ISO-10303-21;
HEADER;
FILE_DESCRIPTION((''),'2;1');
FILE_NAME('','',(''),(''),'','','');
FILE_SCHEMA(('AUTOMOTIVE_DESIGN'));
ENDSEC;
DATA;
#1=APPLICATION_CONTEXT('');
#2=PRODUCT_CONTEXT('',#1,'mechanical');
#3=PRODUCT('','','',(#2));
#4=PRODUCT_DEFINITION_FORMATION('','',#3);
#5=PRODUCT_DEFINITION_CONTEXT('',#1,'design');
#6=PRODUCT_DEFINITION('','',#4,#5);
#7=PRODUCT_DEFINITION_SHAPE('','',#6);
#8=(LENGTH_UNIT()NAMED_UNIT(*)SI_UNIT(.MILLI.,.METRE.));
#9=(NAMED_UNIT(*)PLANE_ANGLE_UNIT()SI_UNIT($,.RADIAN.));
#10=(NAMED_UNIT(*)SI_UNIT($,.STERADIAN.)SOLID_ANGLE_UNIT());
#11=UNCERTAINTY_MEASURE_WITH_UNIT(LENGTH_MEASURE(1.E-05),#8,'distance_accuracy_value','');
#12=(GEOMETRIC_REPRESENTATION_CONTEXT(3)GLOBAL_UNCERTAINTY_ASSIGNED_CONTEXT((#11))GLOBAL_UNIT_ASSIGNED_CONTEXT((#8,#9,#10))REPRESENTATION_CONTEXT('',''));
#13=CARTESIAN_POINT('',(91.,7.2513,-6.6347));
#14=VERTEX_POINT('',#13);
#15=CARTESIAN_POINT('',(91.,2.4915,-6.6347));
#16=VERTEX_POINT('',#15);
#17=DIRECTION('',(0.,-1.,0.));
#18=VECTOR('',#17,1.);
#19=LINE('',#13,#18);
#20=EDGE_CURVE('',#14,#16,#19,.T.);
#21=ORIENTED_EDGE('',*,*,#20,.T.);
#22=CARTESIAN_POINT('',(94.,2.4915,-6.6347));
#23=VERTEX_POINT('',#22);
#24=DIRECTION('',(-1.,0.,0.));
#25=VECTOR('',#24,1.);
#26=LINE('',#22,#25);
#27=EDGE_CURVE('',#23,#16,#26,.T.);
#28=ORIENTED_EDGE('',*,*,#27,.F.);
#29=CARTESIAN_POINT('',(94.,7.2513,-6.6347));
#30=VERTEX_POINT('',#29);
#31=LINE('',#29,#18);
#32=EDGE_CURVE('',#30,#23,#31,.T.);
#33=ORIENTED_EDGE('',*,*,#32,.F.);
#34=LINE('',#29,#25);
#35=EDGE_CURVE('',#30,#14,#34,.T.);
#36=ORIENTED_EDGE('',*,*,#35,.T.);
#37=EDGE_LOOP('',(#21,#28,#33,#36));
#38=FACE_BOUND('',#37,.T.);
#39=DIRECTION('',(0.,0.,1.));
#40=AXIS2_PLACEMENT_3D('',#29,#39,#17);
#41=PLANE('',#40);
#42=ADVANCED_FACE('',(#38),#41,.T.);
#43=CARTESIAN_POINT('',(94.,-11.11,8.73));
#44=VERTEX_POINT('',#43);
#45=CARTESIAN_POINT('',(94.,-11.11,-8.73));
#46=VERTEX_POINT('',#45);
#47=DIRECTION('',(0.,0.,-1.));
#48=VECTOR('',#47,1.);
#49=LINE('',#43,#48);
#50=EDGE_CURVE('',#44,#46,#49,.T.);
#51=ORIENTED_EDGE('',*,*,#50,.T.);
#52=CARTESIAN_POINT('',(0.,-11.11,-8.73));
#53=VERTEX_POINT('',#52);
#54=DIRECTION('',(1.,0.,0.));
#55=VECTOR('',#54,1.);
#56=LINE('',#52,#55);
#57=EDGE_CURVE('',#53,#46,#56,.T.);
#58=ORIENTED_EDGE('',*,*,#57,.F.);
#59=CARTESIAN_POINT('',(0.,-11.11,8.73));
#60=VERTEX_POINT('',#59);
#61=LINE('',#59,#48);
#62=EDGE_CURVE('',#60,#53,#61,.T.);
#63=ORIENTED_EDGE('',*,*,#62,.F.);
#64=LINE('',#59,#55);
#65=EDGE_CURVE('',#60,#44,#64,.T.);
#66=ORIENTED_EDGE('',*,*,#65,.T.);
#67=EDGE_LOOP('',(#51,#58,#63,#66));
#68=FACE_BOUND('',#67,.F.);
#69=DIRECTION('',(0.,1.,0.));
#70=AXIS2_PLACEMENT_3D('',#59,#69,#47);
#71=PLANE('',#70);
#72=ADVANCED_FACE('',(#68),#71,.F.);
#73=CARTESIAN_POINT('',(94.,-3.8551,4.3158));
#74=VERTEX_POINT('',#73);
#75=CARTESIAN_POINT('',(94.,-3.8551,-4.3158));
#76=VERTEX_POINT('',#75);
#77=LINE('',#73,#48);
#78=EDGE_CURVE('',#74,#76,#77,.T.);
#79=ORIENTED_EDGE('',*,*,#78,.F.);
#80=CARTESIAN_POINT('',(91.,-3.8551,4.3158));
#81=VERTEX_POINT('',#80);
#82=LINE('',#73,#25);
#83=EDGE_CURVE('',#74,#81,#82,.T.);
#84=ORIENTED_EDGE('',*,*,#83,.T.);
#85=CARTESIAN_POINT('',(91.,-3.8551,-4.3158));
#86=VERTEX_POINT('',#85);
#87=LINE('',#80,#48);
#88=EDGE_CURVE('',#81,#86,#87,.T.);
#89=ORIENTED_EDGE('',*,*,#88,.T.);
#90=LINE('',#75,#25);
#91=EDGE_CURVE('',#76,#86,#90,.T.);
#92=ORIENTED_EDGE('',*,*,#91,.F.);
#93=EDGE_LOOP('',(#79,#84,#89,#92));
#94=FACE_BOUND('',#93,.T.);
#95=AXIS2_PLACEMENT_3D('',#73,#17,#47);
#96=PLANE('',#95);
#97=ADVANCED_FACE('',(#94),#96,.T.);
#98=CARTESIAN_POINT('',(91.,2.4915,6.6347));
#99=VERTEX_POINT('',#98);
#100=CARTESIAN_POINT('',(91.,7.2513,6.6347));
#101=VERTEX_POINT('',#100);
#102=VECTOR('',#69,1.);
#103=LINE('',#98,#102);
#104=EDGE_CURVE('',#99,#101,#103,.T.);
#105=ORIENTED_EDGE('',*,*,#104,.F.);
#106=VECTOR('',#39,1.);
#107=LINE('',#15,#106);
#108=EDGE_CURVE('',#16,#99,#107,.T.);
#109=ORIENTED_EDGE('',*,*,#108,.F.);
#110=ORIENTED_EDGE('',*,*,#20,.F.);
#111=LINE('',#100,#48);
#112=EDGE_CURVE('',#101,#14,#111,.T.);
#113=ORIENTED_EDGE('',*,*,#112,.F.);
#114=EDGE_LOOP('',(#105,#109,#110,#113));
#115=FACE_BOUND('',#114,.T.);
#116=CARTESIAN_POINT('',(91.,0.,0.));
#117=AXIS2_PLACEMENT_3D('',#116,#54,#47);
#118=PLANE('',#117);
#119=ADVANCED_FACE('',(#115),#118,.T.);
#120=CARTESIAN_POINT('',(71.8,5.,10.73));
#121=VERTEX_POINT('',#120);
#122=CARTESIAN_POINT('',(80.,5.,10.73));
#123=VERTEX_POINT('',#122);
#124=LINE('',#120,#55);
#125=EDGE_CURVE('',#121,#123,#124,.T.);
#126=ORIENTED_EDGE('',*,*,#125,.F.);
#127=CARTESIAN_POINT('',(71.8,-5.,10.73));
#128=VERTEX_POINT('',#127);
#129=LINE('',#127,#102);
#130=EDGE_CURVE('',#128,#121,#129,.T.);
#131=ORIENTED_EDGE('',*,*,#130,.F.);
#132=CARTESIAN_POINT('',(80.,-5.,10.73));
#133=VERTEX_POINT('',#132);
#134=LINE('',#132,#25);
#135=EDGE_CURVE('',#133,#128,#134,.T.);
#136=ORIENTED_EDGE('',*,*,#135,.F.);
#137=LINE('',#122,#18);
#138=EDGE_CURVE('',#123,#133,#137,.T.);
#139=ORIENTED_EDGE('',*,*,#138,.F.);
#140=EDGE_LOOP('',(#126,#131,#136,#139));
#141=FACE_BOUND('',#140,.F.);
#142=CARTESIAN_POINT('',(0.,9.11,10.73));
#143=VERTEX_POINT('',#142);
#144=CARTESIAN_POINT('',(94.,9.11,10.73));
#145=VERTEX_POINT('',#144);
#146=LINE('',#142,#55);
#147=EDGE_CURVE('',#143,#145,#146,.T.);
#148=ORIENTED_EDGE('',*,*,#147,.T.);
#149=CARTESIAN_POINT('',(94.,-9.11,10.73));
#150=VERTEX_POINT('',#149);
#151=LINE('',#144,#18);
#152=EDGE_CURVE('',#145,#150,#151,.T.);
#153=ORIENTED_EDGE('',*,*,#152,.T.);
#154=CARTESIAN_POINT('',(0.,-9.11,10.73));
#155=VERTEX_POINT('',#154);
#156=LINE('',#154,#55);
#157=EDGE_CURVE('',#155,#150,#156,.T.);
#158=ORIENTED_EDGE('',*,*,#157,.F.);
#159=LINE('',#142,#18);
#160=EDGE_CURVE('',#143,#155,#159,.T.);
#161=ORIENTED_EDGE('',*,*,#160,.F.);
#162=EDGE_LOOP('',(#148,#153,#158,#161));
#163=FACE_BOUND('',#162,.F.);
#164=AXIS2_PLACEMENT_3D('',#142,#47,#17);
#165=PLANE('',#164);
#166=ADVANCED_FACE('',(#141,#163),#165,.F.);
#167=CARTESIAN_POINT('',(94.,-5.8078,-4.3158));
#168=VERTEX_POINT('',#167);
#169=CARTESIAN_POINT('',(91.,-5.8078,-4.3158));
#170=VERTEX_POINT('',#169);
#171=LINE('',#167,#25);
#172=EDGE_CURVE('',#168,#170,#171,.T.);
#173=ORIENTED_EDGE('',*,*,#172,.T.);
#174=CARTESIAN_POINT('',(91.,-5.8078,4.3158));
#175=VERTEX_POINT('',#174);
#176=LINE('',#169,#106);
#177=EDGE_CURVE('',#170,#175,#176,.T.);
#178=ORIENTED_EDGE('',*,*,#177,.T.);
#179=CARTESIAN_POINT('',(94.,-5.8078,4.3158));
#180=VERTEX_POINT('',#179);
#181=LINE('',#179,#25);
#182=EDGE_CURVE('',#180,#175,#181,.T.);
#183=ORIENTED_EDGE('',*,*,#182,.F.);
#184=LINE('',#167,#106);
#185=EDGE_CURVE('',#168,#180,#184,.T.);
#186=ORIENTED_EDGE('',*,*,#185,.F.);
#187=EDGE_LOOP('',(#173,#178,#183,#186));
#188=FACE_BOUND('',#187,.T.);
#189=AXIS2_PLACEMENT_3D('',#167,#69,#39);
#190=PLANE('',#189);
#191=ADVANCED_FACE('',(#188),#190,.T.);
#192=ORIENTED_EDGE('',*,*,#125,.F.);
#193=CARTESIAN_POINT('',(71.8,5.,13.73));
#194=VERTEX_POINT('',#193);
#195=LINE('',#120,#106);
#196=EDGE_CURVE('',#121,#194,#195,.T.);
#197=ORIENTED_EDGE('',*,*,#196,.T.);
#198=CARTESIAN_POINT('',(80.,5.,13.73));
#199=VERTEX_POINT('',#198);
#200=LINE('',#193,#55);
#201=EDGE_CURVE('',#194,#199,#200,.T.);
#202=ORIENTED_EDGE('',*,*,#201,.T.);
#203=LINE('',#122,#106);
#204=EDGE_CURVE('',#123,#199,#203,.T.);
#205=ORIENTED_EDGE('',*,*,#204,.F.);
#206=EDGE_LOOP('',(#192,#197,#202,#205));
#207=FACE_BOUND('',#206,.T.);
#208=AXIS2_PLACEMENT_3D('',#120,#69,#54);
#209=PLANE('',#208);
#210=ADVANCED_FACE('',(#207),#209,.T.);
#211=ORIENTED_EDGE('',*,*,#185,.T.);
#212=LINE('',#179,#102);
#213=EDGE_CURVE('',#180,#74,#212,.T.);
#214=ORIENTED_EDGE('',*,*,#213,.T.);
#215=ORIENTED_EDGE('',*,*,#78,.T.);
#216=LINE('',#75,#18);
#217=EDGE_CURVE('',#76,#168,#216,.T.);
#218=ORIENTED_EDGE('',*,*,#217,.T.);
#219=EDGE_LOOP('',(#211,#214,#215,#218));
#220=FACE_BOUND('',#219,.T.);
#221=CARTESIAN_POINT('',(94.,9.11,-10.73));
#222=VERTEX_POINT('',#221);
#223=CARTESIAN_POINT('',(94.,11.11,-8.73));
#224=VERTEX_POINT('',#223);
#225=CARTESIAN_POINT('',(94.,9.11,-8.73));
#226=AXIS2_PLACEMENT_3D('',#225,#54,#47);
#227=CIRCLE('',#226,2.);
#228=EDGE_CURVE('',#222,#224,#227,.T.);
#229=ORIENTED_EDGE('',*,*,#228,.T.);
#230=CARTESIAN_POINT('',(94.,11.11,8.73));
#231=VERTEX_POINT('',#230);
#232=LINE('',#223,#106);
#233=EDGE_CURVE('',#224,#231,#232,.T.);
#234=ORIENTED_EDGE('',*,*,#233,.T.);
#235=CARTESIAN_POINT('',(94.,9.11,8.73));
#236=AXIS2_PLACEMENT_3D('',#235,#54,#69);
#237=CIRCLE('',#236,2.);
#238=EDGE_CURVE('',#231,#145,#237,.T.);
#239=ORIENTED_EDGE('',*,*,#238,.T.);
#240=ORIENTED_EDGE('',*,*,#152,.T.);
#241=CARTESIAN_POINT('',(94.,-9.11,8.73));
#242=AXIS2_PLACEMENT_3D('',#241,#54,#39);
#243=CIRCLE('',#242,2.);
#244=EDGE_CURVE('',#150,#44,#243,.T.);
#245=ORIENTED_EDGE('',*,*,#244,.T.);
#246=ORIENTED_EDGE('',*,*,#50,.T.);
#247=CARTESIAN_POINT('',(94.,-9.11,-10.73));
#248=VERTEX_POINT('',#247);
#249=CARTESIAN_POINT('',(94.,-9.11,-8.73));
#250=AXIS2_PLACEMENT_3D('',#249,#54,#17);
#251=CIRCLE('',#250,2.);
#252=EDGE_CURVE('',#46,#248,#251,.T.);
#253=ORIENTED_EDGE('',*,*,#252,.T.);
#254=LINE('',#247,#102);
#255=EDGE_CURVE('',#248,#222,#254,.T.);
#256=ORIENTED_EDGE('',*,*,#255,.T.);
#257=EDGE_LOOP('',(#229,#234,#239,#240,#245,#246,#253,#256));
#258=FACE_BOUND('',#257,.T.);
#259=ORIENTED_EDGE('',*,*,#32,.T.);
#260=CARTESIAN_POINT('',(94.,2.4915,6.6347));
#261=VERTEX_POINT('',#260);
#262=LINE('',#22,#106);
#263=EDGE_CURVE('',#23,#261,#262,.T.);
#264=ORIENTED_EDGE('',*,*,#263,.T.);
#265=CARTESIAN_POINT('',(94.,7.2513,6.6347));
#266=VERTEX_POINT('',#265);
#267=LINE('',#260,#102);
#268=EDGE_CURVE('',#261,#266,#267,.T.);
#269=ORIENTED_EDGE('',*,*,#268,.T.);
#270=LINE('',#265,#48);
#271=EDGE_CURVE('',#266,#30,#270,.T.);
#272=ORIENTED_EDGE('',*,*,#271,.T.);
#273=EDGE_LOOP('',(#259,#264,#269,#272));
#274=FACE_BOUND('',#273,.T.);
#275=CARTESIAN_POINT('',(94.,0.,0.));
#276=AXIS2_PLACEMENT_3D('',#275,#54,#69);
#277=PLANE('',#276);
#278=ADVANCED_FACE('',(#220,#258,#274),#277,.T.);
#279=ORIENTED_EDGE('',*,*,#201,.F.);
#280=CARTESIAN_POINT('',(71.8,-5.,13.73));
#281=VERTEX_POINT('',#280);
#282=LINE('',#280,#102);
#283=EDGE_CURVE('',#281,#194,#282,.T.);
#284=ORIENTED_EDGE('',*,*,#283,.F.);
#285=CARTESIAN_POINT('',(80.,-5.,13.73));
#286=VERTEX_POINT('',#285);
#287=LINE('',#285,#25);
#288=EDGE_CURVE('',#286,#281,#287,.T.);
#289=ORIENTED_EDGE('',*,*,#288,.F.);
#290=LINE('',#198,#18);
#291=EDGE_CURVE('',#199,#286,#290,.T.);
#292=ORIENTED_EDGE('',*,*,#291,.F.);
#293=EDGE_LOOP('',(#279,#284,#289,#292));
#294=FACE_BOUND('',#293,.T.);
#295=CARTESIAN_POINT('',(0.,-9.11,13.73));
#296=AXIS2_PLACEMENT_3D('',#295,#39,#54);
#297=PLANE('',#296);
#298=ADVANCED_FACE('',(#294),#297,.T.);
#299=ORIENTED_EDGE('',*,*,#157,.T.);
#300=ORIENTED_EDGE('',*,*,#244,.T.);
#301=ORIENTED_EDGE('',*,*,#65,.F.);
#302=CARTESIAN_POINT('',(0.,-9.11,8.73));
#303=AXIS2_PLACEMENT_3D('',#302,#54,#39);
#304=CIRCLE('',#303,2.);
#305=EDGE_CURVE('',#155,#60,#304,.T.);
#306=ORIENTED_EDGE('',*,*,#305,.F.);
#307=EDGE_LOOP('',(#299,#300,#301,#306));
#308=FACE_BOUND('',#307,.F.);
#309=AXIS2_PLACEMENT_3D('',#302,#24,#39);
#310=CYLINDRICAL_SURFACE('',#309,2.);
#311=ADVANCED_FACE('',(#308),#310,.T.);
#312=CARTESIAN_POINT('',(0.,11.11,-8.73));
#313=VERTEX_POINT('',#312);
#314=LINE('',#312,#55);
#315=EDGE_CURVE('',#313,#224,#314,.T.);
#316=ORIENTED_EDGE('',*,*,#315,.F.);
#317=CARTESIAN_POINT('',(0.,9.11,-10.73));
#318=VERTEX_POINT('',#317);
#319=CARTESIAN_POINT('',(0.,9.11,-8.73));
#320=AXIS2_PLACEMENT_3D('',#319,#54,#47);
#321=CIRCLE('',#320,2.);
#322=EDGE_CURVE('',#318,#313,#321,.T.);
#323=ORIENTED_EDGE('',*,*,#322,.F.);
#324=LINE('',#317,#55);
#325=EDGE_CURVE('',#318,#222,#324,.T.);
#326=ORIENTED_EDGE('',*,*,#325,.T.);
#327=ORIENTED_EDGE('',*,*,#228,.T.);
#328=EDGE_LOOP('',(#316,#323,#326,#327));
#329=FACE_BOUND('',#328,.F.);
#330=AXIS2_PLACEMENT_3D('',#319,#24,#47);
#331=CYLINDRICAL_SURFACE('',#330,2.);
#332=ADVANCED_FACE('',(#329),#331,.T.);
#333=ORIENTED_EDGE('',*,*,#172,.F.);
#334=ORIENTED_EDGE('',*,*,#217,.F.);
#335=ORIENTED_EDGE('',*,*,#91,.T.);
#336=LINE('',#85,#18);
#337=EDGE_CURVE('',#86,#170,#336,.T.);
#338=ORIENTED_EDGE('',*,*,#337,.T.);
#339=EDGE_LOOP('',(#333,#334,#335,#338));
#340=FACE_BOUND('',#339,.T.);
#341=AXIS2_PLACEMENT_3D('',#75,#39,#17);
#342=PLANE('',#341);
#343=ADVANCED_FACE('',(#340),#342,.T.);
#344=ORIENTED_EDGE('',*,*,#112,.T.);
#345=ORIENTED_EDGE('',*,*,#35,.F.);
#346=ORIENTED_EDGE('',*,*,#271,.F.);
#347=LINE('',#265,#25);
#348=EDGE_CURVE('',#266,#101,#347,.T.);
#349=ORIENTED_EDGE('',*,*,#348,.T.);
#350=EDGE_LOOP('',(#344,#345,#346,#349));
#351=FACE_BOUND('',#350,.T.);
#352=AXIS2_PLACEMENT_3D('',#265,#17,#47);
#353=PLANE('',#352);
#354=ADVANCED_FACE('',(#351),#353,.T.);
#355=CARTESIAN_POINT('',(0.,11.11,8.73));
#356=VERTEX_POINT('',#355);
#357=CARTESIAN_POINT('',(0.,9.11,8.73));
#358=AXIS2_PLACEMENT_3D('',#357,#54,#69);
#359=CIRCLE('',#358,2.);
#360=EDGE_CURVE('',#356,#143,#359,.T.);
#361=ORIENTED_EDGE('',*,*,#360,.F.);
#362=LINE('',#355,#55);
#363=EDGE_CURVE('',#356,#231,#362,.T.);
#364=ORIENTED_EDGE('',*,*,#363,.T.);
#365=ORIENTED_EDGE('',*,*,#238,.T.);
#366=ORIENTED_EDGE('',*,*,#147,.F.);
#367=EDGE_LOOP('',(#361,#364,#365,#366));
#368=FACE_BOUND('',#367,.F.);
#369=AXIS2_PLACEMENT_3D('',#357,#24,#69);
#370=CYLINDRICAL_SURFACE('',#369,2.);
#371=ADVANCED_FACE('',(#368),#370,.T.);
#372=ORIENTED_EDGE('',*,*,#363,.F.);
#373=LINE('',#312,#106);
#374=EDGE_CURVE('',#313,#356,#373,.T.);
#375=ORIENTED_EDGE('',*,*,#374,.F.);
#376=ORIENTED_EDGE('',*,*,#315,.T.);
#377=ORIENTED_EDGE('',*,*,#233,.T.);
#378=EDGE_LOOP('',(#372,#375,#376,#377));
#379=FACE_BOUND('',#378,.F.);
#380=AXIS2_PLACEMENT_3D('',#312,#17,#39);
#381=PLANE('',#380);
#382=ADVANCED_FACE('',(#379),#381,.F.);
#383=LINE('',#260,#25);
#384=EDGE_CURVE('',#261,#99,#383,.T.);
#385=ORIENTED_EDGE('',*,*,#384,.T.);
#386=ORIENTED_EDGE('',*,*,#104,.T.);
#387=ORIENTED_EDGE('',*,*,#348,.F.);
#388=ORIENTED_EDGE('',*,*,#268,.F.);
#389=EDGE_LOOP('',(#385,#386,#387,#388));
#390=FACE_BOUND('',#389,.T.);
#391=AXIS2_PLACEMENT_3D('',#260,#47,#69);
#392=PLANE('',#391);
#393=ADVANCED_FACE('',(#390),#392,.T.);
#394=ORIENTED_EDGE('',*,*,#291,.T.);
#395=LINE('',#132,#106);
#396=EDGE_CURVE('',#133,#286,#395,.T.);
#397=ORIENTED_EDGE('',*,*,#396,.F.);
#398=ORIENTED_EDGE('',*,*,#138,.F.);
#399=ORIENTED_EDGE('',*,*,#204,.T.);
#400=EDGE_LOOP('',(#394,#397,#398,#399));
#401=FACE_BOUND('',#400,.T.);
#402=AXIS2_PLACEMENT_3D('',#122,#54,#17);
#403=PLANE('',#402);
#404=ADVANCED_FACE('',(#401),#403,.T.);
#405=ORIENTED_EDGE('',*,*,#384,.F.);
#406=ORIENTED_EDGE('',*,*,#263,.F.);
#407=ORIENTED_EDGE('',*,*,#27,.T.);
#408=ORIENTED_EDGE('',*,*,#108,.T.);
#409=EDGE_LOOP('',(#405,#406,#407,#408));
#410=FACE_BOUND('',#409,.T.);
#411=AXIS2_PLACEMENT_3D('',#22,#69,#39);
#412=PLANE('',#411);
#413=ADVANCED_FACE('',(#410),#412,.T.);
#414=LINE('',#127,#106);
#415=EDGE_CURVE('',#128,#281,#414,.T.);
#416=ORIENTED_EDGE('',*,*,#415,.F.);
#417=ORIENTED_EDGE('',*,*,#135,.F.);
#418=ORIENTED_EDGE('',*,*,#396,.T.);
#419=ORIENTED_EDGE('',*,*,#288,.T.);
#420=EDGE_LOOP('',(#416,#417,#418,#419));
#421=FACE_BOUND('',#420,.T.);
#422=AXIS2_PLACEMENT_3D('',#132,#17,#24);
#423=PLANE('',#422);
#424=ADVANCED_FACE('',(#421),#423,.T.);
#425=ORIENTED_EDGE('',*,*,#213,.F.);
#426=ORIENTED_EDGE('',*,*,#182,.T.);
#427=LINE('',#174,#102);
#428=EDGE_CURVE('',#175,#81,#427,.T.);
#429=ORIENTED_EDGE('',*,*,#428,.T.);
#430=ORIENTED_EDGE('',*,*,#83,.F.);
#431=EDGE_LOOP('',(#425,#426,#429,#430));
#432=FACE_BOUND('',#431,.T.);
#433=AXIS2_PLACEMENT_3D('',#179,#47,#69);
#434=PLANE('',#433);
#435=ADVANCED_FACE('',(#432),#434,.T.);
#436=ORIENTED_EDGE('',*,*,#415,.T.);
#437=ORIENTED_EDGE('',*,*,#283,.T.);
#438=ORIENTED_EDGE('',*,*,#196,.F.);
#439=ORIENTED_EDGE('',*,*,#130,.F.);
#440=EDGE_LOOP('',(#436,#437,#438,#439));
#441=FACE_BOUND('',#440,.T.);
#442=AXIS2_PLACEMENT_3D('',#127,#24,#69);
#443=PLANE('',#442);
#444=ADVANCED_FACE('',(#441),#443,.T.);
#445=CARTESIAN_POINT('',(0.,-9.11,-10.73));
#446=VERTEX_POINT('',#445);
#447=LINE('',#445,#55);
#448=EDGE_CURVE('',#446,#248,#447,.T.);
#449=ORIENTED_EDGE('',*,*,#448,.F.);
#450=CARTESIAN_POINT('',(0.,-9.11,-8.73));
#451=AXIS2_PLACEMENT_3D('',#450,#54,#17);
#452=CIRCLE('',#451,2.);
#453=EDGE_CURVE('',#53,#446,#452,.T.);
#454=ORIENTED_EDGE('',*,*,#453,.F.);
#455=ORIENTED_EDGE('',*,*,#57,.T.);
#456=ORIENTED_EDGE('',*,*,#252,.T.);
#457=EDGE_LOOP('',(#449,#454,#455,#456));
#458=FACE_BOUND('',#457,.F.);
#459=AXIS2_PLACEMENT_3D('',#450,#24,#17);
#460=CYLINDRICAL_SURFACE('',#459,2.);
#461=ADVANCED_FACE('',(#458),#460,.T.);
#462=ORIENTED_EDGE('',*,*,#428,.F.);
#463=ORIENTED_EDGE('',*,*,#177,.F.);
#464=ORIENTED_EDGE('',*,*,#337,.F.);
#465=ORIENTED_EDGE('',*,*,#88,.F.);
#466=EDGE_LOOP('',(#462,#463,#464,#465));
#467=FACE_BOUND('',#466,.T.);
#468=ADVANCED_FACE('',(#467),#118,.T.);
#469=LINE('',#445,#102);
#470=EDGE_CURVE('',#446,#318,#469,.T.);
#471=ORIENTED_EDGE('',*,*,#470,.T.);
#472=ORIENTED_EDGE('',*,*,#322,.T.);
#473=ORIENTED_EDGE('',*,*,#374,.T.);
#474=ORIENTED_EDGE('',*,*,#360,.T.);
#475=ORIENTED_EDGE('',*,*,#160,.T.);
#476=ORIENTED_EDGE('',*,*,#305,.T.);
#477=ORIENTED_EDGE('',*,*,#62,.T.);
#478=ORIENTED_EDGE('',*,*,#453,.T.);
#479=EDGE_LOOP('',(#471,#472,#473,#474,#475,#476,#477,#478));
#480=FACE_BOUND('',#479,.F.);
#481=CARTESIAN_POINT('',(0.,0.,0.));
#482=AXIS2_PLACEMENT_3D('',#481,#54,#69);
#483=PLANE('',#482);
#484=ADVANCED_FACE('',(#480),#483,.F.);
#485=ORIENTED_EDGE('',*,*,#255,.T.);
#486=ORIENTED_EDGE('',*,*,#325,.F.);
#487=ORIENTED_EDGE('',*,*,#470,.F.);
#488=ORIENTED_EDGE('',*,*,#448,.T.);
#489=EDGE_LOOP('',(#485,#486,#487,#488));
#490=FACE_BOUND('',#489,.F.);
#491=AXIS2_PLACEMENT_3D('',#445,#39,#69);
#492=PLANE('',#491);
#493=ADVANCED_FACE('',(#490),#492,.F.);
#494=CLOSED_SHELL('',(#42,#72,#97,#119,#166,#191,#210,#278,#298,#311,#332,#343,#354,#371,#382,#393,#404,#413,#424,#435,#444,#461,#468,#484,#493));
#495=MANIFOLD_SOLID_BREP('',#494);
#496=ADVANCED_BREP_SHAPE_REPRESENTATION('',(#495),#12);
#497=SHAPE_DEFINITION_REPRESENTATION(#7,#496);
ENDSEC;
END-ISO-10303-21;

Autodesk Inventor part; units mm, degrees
ref_plane "YZ Plane" through (0, 0, 0) normal (1, 0, 0) x (0, 1, 0)
ref_plane "XZ Plane" through (0, 0, 0) normal (0, 1, 0) x (-1, 0, 0)
ref_plane "XY Plane" through (0, 0, 0) normal (0, 0, 1) x (1, 0, 0)
sketch "Sketch1" plane through (0, 0, 0) normal (1, 0, 0) x (0, 1, 0)
  line L0 (-9.11, -10.73) -> (9.11, -10.73)
  line L1 (11.11, -8.73) -> (11.11, 8.73)
  line L2 (9.11, 10.73) -> (-9.11, 10.73)
  line L3 (-11.11, 8.73) -> (-11.11, -8.73)
  line L4 (-11.11, -10.73) -> (11.11, 10.73) construction
  line L5 (11.11, -10.73) -> (-11.11, 10.73) construction
  arc A0 (11.11, 8.73) -> (9.11, 10.73) centre (9.11, 8.73) ccw
  arc A1 (9.11, -10.73) -> (11.11, -8.73) centre (9.11, -8.73) ccw
  arc A2 (-11.11, -8.73) -> (-9.11, -10.73) centre (-9.11, -8.73) ccw
  arc A3 (-9.11, 10.73) -> (-11.11, 8.73) centre (-9.11, 8.73) ccw
  point P0 (0, 0)
  dimension "d0" = 22.22
  dimension "d1" = 21.46
  dimension "d2" = 2
extrude "Extrusion1" add sketch "Sketch1" along normal blind 94
sketch "Sketch2" plane through (94, 0, 0) normal (1, 0, 0) x (0, 0, -1)
  line L0 (-6.6347, 7.2513) -> (6.6347, 7.2513)
  line L1 (6.6347, 7.2513) -> (6.6347, 2.4915)
  line L2 (6.6347, 2.4915) -> (-6.6347, 2.4915)
  line L3 (-6.6347, 2.4915) -> (-6.6347, 7.2513)
  line L4 (-6.6347, 7.2513) -> (6.6347, 2.4915) construction
  line L5 (6.6347, 7.2513) -> (-6.6347, 2.4915) construction
  line L6 (-4.3158, -3.8551) -> (4.3158, -3.8551)
  line L7 (4.3158, -3.8551) -> (4.3158, -5.8078)
  line L8 (4.3158, -5.8078) -> (-4.3158, -5.8078)
  line L9 (-4.3158, -5.8078) -> (-4.3158, -3.8551)
  line L10 (-4.3158, -3.8551) -> (4.3158, -5.8078) construction
  line L11 (4.3158, -3.8551) -> (-4.3158, -5.8078) construction
  point P0 (0, 0)
  point P1 (0, 4.8714)
  point P2 (0, -4.8314)
extrude "Extrusion2" cut sketch "Sketch2" against normal blind 3
sketch "Sketch3" plane through (0, -9.11, 10.73) normal (0, 0, 1) x (1, 0, 0)
  line L0 (0, 18.22) -> (0, 0) projected
  line L1 (0, 0) -> (94, 0) projected
  line L2 (94, 18.22) -> (94, 0) projected
  line L3 (0, 18.22) -> (94, 18.22) projected
  line L4 (71.8, 14.11) -> (80, 14.11)
  line L5 (80, 14.11) -> (80, 4.11)
  line L6 (80, 4.11) -> (71.8, 4.11)
  line L7 (71.8, 4.11) -> (71.8, 14.11)
  line L8 (71.8, 14.11) -> (80, 4.11) construction
  line L9 (80, 14.11) -> (71.8, 4.11) construction
  point P0 (0, 9.11)
  point P1 (75.9, 9.11)
  dimension "d7" = 8.2
  dimension "d8" = 10
  dimension "d9" = 14
extrude "Extrusion3" add sketch "Sketch3" along normal blind 3 contours L4 L5 L6 L7
properties part number "00_Batterypack"
